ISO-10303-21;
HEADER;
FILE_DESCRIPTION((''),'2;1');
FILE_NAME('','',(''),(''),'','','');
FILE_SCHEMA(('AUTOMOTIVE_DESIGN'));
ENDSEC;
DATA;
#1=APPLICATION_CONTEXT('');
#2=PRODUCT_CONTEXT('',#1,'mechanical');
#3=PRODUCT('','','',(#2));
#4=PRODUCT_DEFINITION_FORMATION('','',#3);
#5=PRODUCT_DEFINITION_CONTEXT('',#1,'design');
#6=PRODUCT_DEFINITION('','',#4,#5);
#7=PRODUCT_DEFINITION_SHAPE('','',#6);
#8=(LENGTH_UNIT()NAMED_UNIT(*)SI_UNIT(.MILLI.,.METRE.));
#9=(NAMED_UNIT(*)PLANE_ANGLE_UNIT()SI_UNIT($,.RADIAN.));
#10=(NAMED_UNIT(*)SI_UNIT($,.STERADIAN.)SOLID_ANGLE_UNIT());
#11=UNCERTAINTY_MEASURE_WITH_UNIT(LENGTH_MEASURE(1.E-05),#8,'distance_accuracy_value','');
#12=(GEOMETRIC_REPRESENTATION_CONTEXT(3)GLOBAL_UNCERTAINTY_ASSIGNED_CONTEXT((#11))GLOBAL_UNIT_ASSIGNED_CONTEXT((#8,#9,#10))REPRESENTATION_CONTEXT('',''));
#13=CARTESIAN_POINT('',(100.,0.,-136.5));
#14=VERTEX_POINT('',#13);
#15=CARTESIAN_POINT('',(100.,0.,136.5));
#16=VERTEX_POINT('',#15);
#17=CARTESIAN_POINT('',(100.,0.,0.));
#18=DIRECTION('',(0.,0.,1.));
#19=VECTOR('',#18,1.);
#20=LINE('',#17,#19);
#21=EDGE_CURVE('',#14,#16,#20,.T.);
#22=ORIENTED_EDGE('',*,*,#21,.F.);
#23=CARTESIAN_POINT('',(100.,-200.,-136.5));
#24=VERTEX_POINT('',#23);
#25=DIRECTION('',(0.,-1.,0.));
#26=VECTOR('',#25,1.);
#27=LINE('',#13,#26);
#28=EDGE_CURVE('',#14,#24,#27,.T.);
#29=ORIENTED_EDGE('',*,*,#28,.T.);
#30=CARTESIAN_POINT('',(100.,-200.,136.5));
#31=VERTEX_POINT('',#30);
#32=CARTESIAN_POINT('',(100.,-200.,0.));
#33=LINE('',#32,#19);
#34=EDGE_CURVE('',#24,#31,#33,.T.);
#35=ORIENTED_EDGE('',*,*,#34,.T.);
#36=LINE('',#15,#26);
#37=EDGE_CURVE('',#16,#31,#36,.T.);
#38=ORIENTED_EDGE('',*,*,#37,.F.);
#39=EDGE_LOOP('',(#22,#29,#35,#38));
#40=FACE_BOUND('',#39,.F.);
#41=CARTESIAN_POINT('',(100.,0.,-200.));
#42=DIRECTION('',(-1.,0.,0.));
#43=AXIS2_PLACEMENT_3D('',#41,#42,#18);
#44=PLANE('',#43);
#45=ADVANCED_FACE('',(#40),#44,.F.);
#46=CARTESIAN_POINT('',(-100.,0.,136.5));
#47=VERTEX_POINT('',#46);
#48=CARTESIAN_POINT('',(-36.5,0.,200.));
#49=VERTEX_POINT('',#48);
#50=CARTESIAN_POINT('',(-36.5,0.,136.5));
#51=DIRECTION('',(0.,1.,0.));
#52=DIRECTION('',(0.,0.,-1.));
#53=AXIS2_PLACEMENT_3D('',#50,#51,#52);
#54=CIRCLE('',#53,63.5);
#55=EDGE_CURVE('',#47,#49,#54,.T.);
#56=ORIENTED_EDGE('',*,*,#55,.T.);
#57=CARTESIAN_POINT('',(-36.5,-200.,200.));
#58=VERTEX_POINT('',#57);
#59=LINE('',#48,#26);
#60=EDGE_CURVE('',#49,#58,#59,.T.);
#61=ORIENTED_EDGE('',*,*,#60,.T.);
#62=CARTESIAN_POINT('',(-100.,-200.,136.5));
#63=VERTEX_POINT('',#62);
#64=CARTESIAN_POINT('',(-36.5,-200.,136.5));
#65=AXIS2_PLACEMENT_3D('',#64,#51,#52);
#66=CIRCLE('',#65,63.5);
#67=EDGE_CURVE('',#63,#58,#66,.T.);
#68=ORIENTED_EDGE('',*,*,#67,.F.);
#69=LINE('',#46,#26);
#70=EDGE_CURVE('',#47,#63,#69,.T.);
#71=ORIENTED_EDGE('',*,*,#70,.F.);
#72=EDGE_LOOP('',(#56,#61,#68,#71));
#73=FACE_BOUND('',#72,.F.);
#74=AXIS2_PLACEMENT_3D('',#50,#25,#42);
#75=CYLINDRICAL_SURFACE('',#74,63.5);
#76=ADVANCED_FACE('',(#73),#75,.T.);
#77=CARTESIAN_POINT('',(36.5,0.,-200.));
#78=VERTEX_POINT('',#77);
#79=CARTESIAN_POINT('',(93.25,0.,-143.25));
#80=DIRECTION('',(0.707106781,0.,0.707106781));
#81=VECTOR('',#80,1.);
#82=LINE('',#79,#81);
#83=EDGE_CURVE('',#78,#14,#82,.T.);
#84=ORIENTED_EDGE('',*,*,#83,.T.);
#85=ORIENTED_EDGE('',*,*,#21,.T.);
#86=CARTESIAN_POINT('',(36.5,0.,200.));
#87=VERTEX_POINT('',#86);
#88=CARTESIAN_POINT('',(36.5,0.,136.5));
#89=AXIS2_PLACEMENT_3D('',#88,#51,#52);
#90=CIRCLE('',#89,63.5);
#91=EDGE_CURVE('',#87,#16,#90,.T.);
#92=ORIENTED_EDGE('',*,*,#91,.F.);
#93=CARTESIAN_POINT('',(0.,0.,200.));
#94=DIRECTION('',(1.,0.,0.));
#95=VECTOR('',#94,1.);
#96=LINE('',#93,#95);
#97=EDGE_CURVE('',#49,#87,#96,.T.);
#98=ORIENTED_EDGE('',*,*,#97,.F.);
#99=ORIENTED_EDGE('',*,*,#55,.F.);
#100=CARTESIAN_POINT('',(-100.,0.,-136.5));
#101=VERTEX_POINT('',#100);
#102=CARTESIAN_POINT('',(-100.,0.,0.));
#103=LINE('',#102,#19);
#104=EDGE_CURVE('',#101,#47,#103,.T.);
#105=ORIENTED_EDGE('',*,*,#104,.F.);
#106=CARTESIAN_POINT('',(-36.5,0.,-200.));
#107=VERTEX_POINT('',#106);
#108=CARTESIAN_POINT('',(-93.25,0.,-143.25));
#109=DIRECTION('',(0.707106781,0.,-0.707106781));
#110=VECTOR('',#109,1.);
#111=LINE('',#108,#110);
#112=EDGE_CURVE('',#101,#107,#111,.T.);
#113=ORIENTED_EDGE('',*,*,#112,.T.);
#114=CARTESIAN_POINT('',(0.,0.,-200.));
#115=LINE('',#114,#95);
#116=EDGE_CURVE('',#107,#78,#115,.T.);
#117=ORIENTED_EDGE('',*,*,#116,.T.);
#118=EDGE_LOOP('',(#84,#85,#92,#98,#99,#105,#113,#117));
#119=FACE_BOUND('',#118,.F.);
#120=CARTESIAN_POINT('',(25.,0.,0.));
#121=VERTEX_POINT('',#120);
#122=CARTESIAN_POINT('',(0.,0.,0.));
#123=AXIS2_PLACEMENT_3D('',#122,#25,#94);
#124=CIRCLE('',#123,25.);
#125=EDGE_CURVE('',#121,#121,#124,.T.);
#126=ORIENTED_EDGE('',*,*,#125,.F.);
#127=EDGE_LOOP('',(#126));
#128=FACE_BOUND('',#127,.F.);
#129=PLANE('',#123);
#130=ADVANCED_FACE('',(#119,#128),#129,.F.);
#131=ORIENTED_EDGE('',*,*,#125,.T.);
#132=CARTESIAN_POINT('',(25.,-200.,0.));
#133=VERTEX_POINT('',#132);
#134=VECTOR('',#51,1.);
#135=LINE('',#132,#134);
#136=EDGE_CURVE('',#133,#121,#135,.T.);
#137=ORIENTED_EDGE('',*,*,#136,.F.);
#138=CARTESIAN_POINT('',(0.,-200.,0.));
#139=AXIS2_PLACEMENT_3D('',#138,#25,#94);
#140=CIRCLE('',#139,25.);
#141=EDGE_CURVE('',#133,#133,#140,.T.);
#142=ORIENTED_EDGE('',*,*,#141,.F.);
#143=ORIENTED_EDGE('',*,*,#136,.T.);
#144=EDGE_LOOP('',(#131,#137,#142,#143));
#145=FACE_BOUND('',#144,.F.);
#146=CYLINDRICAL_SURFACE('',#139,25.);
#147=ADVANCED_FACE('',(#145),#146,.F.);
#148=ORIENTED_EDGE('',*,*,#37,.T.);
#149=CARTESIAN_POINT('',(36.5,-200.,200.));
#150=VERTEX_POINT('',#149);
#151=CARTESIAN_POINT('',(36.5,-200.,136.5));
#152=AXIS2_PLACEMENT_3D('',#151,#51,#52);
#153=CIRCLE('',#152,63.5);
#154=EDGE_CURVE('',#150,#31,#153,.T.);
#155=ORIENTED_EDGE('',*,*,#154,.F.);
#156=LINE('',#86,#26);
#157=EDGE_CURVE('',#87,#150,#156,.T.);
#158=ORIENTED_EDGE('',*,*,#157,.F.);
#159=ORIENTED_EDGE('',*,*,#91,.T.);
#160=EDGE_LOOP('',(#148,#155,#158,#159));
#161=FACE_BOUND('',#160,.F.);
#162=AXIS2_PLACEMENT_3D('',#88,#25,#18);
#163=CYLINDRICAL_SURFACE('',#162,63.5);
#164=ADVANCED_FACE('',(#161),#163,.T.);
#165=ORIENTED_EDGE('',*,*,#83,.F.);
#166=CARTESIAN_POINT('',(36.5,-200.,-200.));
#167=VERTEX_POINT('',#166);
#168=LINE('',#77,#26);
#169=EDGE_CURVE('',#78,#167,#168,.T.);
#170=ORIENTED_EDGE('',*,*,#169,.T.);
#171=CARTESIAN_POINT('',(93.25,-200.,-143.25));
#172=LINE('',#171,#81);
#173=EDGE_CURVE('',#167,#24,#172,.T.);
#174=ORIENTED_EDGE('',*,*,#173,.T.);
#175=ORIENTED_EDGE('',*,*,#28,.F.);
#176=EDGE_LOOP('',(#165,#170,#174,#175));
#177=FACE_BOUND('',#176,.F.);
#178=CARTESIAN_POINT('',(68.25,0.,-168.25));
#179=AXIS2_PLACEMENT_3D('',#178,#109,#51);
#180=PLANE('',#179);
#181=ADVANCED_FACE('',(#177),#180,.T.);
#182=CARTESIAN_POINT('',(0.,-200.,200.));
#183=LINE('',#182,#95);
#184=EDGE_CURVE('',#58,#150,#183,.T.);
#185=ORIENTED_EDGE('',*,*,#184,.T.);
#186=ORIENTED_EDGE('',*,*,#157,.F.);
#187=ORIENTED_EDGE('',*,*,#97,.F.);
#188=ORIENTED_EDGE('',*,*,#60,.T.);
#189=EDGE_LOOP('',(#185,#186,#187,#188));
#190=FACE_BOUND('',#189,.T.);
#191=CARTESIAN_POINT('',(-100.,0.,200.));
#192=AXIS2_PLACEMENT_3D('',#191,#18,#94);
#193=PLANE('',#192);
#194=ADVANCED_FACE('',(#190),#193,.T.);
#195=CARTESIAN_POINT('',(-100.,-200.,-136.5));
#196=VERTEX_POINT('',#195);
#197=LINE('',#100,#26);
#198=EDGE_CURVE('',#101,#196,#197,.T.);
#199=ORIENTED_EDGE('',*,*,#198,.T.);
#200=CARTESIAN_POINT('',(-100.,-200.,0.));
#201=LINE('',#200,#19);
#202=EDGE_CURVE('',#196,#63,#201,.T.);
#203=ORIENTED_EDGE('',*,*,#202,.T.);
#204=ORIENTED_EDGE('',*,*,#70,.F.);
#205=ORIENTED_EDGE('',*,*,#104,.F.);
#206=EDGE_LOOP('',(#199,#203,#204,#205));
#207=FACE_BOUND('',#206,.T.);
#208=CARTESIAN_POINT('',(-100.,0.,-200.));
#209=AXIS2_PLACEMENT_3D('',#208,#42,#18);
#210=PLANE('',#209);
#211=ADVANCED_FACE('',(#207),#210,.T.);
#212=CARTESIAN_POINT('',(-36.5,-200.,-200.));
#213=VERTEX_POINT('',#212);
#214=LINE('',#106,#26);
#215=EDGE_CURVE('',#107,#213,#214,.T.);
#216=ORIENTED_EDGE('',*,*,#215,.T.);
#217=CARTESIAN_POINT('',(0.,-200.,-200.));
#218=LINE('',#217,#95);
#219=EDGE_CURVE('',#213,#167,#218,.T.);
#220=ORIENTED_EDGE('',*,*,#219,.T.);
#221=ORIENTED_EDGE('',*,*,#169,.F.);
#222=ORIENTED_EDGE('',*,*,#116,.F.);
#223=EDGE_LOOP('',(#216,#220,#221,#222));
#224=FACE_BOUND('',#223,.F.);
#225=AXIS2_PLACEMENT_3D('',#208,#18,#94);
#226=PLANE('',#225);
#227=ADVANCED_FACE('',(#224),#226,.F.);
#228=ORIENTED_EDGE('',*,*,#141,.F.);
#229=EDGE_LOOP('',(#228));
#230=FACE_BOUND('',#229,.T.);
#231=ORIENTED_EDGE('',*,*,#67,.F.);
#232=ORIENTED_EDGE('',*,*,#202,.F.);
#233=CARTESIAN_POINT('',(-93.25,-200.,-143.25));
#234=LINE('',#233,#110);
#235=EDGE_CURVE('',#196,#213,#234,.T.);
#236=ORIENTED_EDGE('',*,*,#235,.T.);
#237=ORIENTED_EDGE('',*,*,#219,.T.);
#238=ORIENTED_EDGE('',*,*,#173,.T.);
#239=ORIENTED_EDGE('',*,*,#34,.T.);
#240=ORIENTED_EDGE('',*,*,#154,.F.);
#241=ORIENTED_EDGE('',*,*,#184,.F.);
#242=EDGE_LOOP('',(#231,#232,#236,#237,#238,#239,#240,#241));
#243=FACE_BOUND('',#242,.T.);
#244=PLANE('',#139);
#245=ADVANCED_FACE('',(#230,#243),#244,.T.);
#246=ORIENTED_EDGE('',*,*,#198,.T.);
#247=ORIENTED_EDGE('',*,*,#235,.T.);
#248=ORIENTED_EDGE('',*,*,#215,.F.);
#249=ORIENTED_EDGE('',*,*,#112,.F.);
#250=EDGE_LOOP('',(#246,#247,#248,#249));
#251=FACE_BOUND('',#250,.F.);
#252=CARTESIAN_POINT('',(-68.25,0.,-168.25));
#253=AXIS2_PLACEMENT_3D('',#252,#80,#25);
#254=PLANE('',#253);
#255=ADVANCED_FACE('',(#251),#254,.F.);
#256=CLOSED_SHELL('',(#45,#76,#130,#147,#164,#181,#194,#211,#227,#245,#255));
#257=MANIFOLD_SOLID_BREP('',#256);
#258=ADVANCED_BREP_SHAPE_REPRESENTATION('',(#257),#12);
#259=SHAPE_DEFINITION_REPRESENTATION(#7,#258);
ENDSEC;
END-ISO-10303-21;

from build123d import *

# Parameters (mm, degrees)
F0_W     = 200
F0_H     = 400
F1_DEPTH = 200
F2_R     = 25
F3_DEPTH = 200.001
F4_R     = 63.5
F5_SIZE  = 63.5


with BuildPart() as f1:
    # F0 (on Front) → F1 (new body)
    with BuildSketch(Plane.XZ):
        Rectangle(F0_W, F0_H)
    extrude(amount=F1_DEPTH)

    # F2 (on face) → F3 (cut, through all)
    with BuildSketch(Plane.XZ.offset(200)):
        Circle(F2_R)
    extrude(amount=-F3_DEPTH, mode=Mode.SUBTRACT)

    # F4
    f4_edges = [f1.edges().sort_by_distance(p)[0] for p in [
        (100, -100, 200),
        (-100, -100, 200),
    ]]
    fillet(f4_edges, radius=F4_R)

    # F5
    f5_edges = [f1.edges().sort_by_distance(p)[0] for p in [
        (-100, -100, -200),
        (100, -100, -200),
    ]]
    chamfer(f5_edges, length=F5_SIZE)


solid = f1.part
